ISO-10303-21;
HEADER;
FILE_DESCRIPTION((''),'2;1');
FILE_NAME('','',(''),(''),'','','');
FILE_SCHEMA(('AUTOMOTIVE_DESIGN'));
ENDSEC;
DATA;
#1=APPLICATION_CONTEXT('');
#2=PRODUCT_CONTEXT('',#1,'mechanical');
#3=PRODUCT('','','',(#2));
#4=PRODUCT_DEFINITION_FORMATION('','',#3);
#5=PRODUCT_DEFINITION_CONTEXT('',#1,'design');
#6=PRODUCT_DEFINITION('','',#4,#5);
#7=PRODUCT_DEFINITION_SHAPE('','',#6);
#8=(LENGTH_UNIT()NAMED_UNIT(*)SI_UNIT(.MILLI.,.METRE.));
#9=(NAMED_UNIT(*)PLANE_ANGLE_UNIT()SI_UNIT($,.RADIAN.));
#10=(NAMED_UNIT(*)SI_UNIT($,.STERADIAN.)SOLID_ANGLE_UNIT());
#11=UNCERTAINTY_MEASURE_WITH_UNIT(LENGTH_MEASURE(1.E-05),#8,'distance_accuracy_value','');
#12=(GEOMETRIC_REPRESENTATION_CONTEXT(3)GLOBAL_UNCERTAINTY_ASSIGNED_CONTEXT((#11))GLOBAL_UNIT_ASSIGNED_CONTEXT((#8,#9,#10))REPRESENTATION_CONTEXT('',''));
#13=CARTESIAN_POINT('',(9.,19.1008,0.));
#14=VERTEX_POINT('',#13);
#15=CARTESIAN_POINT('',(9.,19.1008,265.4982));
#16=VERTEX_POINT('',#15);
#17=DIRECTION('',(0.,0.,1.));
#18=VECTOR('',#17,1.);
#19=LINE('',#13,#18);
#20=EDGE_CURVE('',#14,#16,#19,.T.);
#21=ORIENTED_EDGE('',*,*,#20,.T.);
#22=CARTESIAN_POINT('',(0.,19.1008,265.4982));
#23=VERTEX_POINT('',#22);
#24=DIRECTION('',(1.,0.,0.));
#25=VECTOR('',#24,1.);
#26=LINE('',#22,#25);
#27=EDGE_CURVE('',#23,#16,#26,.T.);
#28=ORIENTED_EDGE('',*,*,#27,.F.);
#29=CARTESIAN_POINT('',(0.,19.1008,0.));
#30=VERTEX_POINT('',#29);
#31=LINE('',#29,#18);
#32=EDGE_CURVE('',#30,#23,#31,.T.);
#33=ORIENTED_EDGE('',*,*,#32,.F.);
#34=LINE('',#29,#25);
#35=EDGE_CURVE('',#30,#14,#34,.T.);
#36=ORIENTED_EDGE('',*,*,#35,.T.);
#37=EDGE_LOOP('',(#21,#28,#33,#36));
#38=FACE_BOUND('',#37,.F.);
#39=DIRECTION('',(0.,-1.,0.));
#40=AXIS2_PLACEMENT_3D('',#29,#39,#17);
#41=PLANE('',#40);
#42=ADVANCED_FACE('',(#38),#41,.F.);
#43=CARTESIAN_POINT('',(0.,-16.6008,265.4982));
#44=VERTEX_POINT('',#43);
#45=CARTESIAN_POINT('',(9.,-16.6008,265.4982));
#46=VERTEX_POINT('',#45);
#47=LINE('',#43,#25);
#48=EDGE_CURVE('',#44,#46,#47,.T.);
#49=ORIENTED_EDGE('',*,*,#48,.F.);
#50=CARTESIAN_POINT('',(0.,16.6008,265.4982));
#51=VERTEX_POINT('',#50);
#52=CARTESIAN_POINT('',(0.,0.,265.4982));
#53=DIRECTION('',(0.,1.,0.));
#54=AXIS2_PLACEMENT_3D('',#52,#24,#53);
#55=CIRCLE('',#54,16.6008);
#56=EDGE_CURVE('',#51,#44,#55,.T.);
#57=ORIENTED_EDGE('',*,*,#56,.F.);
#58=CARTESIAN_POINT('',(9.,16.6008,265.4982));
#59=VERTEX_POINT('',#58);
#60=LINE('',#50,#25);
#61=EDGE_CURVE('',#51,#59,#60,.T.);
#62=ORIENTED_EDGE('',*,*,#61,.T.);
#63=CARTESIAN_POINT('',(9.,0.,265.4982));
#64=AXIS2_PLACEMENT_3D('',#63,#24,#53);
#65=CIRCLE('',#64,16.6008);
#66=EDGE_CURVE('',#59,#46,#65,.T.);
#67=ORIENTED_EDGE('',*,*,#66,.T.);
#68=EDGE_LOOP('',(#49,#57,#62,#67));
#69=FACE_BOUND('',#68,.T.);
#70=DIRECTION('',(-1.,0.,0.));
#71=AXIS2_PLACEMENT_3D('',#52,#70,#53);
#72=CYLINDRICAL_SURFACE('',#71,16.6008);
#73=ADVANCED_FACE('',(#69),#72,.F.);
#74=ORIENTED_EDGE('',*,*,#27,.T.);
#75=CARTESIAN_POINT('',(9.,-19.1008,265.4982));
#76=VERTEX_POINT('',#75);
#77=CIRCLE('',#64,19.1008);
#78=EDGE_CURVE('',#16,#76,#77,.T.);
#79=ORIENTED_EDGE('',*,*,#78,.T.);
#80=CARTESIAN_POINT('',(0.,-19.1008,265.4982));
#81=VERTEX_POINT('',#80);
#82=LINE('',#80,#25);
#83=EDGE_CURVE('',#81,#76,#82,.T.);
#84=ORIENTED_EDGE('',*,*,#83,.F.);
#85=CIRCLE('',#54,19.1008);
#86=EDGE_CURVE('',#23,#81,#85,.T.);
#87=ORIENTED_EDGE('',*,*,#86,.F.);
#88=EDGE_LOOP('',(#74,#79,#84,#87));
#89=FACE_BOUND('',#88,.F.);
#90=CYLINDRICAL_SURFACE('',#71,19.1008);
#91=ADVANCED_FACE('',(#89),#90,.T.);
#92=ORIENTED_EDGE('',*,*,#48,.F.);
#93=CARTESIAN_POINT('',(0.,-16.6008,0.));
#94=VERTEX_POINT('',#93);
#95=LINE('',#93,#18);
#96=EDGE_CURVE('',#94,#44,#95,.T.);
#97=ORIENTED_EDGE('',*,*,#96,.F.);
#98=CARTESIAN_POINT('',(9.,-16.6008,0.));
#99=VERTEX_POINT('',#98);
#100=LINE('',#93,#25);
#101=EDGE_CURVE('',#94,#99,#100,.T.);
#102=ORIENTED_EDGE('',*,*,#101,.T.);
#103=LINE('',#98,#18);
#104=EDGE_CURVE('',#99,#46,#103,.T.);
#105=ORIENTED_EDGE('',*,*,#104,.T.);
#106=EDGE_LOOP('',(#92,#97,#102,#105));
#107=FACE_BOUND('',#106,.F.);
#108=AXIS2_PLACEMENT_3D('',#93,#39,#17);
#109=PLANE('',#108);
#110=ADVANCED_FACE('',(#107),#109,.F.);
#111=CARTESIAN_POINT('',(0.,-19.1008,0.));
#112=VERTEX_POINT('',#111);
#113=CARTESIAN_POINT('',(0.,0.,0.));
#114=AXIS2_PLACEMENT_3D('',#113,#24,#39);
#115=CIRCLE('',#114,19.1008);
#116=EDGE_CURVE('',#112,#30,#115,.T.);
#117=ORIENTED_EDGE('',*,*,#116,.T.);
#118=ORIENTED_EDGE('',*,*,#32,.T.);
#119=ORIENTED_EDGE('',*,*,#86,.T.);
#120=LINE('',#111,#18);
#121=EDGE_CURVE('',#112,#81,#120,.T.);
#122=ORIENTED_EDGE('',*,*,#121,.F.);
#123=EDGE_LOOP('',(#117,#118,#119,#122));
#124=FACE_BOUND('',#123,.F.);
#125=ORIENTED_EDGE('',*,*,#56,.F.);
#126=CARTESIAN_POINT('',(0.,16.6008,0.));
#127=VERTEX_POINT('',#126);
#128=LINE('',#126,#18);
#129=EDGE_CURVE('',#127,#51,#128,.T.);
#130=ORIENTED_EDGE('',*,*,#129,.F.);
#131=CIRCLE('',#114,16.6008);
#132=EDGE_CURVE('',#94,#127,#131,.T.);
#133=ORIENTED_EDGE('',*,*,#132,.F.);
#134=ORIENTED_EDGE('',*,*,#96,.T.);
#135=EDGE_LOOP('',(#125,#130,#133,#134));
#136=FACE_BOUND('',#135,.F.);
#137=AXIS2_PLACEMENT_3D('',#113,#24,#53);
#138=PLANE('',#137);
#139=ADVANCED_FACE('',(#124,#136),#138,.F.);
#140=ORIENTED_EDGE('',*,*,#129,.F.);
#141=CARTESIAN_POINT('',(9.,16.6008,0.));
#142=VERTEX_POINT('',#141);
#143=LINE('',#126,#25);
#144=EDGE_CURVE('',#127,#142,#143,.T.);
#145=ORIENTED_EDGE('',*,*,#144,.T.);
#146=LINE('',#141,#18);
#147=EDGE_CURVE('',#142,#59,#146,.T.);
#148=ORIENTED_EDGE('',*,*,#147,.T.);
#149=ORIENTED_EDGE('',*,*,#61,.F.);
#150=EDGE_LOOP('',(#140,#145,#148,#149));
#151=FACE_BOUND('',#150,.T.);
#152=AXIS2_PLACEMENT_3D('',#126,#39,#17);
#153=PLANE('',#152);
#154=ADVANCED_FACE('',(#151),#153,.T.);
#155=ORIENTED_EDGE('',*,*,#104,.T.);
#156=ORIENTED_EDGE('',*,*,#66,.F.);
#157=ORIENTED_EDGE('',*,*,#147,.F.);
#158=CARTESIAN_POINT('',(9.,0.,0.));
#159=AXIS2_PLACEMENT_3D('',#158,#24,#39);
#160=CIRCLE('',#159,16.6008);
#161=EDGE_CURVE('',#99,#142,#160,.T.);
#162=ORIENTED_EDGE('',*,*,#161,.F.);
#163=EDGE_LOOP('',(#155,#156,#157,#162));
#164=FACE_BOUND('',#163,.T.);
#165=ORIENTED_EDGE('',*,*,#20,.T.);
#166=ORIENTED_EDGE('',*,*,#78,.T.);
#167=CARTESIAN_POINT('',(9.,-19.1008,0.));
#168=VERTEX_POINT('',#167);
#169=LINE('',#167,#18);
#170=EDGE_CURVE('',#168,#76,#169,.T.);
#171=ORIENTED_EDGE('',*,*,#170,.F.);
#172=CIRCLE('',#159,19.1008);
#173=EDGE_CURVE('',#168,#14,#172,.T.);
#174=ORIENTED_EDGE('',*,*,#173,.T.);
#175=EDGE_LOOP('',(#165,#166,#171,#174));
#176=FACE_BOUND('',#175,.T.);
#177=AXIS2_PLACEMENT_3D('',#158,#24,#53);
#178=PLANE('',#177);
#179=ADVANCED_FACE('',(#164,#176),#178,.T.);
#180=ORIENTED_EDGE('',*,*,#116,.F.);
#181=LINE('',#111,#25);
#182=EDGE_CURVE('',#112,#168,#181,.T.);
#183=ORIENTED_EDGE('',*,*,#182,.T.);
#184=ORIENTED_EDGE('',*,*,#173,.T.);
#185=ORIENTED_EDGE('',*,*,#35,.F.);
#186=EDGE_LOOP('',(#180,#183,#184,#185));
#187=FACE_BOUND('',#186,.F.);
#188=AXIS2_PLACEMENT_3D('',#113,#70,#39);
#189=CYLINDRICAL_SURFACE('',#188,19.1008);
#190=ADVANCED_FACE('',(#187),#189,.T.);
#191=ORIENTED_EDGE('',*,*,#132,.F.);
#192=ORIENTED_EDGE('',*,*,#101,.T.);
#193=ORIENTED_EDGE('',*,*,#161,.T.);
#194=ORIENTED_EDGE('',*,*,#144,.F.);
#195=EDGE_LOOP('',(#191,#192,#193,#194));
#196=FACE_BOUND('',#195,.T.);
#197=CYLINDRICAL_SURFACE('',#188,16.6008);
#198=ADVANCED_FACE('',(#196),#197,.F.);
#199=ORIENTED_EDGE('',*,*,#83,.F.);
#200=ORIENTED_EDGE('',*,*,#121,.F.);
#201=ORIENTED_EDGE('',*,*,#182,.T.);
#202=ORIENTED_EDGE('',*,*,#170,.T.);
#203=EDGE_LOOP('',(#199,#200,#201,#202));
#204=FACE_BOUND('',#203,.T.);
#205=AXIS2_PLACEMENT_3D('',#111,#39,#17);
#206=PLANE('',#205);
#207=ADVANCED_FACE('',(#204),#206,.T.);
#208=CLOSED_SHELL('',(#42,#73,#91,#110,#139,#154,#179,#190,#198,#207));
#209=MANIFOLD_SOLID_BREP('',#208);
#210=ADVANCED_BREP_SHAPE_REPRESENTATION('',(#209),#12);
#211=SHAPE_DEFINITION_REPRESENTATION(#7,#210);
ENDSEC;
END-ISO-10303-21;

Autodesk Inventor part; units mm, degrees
ref_plane "YZ Plane" through (0, 0, 0) normal (1, 0, 0) x (0, 1, 0)
ref_plane "XZ Plane" through (0, 0, 0) normal (0, 1, 0) x (-1, 0, 0)
ref_plane "XY Plane" through (0, 0, 0) normal (0, 0, 1) x (1, 0, 0)
sketch "Sketch1" plane through (0, 0, 0) normal (1, 0, 0) x (0, 1, 0)
  arc A0 (-16.6008, 0) -> (16.6008, 0) centre (0, 0) ccw
  arc A1 (-19.1008, 0) -> (19.1008, 0) centre (0, 0) ccw
  arc A2 (16.6008, 265.4982) -> (-16.6008, 265.4982) centre (0, 265.4982) ccw
  arc A3 (19.1008, 265.4982) -> (-19.1008, 265.4982) centre (0, 265.4982) ccw
  line L0 (16.6008, 0) -> (16.6008, 265.4982)
  line L1 (-16.6008, 0) -> (-16.6008, 265.4982)
  line L2 (19.1008, 0) -> (19.1008, 265.4982)
  line L3 (-19.1008, 0) -> (-19.1008, 265.4982)
  dimension "d0" = 2.5
  dimension "d2" = 265.4982
  dimension "d5" = 19.1008
extrude "Extrusion1" add sketch "Sketch1" along normal blind 9
properties part number "STANDIN,130T,HTD5mm,BELT" material "Nylon 6/6"
